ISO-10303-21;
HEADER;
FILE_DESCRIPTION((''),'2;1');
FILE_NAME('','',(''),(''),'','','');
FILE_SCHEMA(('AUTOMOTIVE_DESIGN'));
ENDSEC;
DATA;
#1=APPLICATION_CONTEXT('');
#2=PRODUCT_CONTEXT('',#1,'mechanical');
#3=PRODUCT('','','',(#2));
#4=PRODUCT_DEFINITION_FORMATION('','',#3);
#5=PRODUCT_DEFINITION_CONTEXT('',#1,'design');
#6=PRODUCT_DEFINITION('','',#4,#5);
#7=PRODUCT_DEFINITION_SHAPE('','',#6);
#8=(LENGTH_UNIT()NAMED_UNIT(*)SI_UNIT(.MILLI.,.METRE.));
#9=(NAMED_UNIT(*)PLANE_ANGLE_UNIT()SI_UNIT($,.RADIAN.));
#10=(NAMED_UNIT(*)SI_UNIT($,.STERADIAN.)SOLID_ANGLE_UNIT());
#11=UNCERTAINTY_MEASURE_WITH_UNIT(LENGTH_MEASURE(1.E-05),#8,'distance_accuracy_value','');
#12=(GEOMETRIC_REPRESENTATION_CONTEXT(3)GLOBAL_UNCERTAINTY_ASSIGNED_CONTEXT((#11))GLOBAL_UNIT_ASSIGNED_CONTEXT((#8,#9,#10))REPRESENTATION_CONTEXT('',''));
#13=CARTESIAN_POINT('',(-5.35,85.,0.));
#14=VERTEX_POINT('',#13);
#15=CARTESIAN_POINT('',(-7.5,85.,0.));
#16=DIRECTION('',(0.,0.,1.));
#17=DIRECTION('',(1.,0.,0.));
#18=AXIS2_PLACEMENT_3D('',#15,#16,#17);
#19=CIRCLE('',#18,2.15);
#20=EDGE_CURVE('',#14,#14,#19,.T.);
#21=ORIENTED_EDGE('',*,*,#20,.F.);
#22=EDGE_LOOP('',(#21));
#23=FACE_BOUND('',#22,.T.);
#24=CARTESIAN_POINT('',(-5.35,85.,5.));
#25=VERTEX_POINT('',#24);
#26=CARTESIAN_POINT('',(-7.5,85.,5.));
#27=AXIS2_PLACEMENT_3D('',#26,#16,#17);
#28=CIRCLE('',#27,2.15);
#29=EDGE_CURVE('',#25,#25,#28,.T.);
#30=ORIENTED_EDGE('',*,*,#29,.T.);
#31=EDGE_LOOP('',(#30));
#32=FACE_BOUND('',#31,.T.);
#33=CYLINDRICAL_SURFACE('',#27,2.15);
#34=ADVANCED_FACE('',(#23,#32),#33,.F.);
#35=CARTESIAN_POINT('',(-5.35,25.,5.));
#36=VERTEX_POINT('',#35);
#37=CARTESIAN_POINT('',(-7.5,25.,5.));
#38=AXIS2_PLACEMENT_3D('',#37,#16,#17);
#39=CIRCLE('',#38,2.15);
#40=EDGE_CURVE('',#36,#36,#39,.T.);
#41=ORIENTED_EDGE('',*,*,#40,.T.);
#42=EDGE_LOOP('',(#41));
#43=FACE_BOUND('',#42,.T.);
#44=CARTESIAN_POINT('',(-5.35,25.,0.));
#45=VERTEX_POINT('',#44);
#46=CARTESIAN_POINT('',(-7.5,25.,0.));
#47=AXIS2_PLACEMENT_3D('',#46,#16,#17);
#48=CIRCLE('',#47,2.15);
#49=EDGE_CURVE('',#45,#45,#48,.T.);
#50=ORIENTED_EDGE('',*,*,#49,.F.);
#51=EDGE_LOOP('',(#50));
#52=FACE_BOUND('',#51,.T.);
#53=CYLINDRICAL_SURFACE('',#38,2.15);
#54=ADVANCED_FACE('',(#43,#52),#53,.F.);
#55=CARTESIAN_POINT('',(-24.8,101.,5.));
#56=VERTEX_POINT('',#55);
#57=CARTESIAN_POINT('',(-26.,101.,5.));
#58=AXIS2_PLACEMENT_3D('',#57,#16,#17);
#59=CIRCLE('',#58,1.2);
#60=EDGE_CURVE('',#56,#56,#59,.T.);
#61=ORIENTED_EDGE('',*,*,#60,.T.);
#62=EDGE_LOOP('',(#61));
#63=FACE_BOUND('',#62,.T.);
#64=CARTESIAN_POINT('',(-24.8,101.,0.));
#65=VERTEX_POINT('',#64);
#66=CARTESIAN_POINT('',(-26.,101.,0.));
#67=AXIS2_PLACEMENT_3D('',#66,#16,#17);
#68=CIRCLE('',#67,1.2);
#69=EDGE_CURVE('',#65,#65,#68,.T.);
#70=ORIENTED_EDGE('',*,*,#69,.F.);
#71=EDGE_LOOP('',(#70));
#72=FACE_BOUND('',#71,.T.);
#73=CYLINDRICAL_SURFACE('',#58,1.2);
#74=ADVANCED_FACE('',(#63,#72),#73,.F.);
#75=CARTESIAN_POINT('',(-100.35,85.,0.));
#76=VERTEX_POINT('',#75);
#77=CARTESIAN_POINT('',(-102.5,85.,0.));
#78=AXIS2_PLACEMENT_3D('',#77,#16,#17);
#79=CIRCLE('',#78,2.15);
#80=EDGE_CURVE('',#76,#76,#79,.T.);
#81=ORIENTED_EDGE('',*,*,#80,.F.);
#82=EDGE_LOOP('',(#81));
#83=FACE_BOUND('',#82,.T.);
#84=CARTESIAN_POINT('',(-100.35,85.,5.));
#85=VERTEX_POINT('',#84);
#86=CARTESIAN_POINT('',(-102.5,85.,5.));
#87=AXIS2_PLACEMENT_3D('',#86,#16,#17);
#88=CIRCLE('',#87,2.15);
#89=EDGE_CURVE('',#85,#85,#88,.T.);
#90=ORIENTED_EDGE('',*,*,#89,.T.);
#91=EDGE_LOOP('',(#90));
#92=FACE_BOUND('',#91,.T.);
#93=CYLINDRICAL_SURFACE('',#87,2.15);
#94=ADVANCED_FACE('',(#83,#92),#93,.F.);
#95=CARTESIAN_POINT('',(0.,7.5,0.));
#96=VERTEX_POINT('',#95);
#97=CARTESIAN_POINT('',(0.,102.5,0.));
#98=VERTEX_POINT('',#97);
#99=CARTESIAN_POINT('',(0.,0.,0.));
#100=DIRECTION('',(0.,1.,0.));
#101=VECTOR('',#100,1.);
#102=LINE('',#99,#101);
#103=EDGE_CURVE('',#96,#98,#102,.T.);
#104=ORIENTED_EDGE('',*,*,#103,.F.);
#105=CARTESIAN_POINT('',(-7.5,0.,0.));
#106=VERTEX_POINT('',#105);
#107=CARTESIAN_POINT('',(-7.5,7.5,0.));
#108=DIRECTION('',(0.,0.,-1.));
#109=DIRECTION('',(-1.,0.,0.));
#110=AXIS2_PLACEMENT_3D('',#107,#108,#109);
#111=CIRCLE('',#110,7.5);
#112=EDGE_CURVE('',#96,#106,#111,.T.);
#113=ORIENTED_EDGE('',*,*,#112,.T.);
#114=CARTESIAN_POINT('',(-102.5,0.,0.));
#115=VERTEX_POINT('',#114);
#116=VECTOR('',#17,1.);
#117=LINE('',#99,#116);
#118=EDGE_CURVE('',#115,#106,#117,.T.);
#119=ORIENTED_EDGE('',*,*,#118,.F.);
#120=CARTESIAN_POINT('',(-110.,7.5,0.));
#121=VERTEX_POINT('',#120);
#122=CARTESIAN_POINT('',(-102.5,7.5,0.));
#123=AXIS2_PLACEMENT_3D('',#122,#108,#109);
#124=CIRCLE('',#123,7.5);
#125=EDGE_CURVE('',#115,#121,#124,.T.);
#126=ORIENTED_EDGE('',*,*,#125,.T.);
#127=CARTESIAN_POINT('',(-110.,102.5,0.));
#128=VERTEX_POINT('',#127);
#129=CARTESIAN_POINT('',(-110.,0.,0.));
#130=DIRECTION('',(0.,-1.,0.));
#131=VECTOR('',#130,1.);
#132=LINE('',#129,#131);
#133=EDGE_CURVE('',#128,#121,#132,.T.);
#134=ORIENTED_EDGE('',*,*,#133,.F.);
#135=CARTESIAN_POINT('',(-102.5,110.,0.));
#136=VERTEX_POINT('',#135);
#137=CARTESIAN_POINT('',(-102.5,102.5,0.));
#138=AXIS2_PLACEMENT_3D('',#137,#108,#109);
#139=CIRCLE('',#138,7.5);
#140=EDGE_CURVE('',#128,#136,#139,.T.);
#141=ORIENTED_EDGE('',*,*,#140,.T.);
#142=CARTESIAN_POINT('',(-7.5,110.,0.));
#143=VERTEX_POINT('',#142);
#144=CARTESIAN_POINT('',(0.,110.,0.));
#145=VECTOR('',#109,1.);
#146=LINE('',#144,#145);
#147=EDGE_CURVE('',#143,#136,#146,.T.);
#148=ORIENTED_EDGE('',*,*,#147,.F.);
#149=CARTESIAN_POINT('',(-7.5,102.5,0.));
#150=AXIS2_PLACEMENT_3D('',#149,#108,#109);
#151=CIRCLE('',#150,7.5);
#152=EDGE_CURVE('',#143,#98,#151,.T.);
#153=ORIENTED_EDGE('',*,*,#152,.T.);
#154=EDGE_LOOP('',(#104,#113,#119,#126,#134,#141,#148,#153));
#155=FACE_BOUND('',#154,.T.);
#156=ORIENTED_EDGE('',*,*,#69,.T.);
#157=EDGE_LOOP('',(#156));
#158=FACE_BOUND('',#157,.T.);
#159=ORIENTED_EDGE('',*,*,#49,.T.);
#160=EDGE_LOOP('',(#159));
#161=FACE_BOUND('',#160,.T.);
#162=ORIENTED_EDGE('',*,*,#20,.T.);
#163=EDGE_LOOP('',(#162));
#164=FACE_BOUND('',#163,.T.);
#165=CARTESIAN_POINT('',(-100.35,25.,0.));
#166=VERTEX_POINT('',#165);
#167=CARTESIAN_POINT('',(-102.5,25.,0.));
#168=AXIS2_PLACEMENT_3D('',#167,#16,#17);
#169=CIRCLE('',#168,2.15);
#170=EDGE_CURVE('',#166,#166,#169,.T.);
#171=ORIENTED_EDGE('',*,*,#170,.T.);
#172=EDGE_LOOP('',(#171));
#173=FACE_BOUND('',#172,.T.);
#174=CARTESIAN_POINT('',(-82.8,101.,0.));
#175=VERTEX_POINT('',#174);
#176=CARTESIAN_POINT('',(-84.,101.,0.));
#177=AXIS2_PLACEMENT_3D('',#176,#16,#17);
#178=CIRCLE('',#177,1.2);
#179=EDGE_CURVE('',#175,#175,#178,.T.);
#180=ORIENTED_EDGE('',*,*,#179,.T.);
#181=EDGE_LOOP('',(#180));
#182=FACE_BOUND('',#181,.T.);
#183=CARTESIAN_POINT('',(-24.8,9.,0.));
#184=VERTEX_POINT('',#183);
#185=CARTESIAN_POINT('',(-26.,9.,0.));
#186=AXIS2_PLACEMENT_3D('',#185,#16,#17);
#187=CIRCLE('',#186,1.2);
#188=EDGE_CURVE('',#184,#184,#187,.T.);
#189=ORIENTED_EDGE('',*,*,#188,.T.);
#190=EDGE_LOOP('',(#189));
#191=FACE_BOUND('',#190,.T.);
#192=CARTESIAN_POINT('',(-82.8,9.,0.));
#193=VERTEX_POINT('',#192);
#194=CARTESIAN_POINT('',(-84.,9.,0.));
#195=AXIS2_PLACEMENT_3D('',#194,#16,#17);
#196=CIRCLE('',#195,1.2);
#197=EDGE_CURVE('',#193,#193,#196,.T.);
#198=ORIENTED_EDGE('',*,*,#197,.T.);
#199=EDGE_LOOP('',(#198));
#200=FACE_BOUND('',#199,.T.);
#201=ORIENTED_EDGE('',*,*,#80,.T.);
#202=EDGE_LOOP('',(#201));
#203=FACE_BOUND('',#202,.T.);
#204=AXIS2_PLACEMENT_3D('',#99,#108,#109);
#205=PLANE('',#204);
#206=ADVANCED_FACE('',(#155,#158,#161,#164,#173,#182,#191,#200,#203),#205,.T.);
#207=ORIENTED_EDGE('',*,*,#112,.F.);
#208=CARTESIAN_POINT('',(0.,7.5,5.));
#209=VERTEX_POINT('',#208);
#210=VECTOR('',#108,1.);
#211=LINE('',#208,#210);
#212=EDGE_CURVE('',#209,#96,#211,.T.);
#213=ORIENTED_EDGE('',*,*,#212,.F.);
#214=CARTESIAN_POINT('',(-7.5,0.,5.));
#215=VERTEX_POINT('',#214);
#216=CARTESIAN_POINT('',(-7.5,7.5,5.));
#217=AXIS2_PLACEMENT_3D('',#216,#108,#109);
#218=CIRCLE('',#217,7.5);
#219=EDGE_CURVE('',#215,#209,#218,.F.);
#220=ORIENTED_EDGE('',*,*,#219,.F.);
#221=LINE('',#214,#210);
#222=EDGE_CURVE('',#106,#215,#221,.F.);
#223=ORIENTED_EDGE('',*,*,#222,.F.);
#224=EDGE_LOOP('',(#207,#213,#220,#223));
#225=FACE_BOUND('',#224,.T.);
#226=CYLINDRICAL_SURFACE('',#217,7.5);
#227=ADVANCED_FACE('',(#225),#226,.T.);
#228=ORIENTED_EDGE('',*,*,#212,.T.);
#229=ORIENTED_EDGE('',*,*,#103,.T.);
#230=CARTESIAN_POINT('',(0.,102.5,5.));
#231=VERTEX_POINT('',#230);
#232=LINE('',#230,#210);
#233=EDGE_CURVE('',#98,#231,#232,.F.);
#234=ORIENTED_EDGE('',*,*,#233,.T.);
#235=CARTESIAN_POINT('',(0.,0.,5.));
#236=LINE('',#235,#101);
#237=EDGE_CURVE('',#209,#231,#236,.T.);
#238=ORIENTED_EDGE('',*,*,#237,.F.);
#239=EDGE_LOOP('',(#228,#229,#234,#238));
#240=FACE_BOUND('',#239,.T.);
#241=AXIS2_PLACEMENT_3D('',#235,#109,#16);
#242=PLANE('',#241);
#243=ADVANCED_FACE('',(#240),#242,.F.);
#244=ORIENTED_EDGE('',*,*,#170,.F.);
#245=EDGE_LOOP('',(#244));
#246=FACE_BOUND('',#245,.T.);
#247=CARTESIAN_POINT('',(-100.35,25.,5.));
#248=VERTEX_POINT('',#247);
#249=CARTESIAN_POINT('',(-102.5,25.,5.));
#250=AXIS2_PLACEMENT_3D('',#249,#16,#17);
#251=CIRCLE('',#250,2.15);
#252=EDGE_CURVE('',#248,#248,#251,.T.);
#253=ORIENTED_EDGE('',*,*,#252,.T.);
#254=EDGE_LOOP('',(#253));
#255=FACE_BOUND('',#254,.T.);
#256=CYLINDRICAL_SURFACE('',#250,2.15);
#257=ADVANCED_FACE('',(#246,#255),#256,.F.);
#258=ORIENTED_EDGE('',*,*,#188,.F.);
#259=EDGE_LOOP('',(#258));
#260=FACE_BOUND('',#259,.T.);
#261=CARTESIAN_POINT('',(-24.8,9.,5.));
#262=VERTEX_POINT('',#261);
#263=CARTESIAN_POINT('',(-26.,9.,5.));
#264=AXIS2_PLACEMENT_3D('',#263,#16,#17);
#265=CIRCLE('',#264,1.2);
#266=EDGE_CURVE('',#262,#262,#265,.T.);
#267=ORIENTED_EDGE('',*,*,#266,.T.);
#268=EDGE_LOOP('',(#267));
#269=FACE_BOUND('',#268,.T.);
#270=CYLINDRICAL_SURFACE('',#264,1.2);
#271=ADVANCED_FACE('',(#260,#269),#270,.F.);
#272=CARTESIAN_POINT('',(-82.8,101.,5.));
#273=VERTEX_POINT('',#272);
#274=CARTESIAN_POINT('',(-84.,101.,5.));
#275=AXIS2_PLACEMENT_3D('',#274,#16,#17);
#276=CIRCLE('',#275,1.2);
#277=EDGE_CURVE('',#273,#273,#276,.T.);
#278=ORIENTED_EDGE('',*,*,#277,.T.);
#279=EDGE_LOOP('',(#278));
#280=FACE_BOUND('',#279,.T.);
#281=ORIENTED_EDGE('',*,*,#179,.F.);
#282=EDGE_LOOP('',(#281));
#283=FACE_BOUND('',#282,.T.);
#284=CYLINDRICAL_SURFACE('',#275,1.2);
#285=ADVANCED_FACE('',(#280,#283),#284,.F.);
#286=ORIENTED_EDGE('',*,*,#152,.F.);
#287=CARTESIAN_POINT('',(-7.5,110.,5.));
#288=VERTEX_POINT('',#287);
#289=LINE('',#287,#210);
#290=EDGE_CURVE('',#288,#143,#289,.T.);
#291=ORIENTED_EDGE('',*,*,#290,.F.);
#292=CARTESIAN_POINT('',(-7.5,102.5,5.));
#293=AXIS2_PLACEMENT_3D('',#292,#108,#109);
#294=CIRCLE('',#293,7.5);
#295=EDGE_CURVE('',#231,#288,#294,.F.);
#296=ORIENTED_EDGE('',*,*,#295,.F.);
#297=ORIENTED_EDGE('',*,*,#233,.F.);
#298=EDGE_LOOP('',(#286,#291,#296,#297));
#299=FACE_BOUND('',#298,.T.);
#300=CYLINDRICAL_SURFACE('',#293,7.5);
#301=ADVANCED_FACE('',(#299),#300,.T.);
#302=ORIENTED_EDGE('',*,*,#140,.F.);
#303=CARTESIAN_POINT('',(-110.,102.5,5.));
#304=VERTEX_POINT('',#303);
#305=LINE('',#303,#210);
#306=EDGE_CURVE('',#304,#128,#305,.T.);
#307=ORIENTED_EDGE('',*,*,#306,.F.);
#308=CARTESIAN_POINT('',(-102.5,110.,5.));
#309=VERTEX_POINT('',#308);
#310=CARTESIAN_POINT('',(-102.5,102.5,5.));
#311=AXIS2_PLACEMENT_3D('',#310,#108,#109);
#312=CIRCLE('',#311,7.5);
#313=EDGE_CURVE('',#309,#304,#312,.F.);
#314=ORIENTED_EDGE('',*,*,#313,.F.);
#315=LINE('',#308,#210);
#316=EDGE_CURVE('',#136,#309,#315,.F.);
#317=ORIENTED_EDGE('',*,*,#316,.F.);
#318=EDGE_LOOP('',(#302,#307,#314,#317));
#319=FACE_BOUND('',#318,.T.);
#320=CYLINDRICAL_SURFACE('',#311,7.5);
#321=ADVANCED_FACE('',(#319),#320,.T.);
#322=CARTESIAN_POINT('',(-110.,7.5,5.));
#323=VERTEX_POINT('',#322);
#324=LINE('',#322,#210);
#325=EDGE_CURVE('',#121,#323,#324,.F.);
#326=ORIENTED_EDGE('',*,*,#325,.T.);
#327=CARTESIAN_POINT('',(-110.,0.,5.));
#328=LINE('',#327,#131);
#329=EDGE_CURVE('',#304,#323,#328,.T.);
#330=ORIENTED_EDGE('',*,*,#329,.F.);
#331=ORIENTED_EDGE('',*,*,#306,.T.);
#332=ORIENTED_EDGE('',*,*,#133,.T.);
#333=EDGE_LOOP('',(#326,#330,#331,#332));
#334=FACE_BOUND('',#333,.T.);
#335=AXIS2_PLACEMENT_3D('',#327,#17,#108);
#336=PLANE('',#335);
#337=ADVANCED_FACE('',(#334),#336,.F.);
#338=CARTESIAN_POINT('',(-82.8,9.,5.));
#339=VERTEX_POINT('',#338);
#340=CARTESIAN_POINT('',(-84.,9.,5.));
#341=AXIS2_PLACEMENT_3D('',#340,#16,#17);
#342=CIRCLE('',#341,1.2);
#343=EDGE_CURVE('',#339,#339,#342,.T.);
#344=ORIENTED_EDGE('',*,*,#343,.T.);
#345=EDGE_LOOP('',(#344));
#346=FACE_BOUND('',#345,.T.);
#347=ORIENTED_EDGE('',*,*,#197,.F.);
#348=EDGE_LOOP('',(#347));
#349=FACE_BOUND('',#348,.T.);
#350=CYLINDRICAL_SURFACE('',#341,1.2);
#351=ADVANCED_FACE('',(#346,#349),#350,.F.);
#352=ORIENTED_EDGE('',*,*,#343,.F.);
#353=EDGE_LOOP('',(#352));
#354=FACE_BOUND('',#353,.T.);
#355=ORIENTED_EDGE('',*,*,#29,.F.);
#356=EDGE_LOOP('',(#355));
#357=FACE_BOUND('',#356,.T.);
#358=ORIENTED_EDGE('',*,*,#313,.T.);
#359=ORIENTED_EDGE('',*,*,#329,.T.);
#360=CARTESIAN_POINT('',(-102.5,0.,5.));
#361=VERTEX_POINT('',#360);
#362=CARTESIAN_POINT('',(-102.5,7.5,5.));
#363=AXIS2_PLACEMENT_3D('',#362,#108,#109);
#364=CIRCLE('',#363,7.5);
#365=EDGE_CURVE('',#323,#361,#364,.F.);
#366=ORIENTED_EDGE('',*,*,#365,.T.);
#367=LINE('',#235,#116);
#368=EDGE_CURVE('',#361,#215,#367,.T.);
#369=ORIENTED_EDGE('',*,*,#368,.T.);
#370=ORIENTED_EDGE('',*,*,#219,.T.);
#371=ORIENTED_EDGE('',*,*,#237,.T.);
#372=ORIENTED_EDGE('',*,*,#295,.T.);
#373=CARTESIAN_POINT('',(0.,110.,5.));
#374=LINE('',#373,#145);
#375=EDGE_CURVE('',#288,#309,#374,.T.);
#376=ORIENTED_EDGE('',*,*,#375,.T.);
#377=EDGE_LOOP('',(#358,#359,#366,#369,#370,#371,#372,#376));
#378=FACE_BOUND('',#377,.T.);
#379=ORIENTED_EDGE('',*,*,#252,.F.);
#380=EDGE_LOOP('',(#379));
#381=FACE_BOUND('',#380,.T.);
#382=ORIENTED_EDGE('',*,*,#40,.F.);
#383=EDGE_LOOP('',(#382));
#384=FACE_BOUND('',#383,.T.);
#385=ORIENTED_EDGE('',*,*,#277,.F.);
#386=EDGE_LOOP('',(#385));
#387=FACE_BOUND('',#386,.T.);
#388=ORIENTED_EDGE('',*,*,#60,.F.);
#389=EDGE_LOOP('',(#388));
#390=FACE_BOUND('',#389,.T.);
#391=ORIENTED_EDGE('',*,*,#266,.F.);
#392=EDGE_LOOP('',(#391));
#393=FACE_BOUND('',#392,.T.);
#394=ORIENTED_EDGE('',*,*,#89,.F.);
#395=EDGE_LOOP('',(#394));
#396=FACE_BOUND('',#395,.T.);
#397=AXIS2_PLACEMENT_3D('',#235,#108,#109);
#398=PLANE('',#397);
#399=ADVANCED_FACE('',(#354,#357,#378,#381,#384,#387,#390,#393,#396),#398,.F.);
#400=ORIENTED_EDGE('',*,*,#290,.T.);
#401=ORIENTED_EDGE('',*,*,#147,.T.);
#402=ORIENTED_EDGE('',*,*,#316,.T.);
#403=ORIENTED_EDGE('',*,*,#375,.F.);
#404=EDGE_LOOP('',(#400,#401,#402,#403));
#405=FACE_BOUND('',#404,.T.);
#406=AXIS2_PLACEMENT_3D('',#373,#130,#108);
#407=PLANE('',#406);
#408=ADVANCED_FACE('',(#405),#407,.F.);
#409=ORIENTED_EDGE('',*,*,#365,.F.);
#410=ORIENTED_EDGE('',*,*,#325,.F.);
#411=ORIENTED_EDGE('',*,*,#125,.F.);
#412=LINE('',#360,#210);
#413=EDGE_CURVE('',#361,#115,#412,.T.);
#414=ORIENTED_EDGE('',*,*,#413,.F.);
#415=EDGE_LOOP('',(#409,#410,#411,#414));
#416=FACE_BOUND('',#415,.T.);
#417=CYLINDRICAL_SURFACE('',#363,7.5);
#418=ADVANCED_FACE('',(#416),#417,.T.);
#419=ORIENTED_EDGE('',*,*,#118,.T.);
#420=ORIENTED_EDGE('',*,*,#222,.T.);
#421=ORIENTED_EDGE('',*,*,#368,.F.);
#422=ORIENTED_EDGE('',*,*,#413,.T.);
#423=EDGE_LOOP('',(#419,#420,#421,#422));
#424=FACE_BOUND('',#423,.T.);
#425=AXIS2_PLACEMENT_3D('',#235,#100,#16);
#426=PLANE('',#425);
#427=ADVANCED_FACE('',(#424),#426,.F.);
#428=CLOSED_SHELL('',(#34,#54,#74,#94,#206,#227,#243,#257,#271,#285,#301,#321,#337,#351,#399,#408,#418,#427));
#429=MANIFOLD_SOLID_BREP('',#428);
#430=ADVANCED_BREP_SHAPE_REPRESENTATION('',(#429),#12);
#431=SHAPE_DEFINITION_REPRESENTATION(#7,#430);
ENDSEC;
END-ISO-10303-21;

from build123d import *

# Parameters (mm, degrees)
SKETCH_1_W         = 110
SKETCH_1_H         = 110
EXTRUDE_1_DEPTH    = 5
HOLE_WIZARD_M2_1_D = 2.4
HOLE_WIZARD_M4_1_D = 4.3
FILLET_1_R         = 7.5


with BuildPart() as part:
    # ｽｹｯﾁ1 → ﾎﾞｽ - 押し出し1 (new body)
    with BuildSketch(Plane(origin=(0, 0, 0), x_dir=(0, 1, 0), z_dir=(0, 0, 1))):
        with Locations((55, 55)):
            Rectangle(SKETCH_1_W, SKETCH_1_H)
    extrude(amount=EXTRUDE_1_DEPTH)

    # M2 すきま穴1 (through all)
    with Locations(Plane.XY.offset(5)):
        with Locations((-84, 9), (-84, 101), (-26, 101), (-26, 9)):
            Hole(HOLE_WIZARD_M2_1_D / 2)

    # M4 すきま穴1 (through all)
    with Locations(Plane.XY.offset(5)):
        with Locations((-102.5, 85), (-102.5, 25), (-7.5, 25), (-7.5, 85)):
            Hole(HOLE_WIZARD_M4_1_D / 2)

    # ﾌｨﾚｯﾄ1
    fillet_1_edges = [part.edges().sort_by_distance(p)[0] for p in [
        (-110, 0, 2.5),
        (-110, 110, 2.5),
        (0, 110, 2.5),
        (0, 0, 2.5),
    ]]
    fillet(fillet_1_edges, radius=FILLET_1_R)


solid = part.part
